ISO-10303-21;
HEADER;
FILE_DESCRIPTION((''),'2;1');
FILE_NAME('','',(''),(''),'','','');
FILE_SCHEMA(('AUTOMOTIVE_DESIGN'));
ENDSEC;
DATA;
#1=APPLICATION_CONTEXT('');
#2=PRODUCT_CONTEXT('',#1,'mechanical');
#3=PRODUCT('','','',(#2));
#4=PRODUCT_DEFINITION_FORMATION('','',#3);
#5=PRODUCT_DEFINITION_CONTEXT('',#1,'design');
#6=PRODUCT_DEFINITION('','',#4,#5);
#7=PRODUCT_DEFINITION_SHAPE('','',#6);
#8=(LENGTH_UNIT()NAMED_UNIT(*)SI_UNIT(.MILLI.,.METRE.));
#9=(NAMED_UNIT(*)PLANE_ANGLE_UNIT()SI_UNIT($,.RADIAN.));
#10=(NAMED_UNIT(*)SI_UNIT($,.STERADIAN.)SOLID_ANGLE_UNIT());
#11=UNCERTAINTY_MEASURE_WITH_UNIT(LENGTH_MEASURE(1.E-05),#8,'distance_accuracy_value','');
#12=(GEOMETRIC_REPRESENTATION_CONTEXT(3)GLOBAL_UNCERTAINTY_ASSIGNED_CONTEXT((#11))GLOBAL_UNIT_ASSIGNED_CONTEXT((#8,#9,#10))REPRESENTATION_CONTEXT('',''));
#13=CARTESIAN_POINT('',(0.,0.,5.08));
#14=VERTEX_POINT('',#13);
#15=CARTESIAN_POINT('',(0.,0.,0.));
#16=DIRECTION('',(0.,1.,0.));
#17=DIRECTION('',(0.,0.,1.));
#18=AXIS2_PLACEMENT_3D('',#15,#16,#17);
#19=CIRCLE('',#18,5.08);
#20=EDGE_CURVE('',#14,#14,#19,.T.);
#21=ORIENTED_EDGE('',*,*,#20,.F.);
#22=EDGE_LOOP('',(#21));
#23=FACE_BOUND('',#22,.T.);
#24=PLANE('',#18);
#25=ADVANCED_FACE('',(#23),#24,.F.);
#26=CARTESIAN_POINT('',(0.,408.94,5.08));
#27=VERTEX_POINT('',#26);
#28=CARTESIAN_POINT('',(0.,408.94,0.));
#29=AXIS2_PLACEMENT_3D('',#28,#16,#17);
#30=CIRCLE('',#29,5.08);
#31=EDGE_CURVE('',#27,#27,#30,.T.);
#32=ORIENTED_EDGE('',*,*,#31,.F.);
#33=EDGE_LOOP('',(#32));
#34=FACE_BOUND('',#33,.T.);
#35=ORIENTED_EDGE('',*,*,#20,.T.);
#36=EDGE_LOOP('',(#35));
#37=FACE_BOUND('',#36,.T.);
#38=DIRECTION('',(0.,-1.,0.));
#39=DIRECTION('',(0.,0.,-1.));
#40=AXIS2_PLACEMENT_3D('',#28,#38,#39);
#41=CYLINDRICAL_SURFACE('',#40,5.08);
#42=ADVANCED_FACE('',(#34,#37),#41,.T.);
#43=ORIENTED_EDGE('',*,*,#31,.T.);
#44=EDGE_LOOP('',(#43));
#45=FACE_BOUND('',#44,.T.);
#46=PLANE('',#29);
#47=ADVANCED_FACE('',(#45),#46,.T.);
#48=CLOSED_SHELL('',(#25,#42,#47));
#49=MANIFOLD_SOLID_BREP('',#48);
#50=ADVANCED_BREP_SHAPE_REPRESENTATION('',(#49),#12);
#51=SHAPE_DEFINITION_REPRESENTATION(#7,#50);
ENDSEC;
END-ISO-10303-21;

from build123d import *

# Parameters (mm, degrees)
SKETCH1_R           = 5.08
BOSS_EXTRUDE1_DEPTH = 408.94


with BuildPart() as part:
    # Sketch1 → Boss-Extrude1 (new body)
    with BuildSketch(Plane(origin=(0, 0, 0), x_dir=(1, 0, 0), z_dir=(0, 1, 0))):
        Circle(SKETCH1_R)
    extrude(amount=BOSS_EXTRUDE1_DEPTH)


solid = part.part
